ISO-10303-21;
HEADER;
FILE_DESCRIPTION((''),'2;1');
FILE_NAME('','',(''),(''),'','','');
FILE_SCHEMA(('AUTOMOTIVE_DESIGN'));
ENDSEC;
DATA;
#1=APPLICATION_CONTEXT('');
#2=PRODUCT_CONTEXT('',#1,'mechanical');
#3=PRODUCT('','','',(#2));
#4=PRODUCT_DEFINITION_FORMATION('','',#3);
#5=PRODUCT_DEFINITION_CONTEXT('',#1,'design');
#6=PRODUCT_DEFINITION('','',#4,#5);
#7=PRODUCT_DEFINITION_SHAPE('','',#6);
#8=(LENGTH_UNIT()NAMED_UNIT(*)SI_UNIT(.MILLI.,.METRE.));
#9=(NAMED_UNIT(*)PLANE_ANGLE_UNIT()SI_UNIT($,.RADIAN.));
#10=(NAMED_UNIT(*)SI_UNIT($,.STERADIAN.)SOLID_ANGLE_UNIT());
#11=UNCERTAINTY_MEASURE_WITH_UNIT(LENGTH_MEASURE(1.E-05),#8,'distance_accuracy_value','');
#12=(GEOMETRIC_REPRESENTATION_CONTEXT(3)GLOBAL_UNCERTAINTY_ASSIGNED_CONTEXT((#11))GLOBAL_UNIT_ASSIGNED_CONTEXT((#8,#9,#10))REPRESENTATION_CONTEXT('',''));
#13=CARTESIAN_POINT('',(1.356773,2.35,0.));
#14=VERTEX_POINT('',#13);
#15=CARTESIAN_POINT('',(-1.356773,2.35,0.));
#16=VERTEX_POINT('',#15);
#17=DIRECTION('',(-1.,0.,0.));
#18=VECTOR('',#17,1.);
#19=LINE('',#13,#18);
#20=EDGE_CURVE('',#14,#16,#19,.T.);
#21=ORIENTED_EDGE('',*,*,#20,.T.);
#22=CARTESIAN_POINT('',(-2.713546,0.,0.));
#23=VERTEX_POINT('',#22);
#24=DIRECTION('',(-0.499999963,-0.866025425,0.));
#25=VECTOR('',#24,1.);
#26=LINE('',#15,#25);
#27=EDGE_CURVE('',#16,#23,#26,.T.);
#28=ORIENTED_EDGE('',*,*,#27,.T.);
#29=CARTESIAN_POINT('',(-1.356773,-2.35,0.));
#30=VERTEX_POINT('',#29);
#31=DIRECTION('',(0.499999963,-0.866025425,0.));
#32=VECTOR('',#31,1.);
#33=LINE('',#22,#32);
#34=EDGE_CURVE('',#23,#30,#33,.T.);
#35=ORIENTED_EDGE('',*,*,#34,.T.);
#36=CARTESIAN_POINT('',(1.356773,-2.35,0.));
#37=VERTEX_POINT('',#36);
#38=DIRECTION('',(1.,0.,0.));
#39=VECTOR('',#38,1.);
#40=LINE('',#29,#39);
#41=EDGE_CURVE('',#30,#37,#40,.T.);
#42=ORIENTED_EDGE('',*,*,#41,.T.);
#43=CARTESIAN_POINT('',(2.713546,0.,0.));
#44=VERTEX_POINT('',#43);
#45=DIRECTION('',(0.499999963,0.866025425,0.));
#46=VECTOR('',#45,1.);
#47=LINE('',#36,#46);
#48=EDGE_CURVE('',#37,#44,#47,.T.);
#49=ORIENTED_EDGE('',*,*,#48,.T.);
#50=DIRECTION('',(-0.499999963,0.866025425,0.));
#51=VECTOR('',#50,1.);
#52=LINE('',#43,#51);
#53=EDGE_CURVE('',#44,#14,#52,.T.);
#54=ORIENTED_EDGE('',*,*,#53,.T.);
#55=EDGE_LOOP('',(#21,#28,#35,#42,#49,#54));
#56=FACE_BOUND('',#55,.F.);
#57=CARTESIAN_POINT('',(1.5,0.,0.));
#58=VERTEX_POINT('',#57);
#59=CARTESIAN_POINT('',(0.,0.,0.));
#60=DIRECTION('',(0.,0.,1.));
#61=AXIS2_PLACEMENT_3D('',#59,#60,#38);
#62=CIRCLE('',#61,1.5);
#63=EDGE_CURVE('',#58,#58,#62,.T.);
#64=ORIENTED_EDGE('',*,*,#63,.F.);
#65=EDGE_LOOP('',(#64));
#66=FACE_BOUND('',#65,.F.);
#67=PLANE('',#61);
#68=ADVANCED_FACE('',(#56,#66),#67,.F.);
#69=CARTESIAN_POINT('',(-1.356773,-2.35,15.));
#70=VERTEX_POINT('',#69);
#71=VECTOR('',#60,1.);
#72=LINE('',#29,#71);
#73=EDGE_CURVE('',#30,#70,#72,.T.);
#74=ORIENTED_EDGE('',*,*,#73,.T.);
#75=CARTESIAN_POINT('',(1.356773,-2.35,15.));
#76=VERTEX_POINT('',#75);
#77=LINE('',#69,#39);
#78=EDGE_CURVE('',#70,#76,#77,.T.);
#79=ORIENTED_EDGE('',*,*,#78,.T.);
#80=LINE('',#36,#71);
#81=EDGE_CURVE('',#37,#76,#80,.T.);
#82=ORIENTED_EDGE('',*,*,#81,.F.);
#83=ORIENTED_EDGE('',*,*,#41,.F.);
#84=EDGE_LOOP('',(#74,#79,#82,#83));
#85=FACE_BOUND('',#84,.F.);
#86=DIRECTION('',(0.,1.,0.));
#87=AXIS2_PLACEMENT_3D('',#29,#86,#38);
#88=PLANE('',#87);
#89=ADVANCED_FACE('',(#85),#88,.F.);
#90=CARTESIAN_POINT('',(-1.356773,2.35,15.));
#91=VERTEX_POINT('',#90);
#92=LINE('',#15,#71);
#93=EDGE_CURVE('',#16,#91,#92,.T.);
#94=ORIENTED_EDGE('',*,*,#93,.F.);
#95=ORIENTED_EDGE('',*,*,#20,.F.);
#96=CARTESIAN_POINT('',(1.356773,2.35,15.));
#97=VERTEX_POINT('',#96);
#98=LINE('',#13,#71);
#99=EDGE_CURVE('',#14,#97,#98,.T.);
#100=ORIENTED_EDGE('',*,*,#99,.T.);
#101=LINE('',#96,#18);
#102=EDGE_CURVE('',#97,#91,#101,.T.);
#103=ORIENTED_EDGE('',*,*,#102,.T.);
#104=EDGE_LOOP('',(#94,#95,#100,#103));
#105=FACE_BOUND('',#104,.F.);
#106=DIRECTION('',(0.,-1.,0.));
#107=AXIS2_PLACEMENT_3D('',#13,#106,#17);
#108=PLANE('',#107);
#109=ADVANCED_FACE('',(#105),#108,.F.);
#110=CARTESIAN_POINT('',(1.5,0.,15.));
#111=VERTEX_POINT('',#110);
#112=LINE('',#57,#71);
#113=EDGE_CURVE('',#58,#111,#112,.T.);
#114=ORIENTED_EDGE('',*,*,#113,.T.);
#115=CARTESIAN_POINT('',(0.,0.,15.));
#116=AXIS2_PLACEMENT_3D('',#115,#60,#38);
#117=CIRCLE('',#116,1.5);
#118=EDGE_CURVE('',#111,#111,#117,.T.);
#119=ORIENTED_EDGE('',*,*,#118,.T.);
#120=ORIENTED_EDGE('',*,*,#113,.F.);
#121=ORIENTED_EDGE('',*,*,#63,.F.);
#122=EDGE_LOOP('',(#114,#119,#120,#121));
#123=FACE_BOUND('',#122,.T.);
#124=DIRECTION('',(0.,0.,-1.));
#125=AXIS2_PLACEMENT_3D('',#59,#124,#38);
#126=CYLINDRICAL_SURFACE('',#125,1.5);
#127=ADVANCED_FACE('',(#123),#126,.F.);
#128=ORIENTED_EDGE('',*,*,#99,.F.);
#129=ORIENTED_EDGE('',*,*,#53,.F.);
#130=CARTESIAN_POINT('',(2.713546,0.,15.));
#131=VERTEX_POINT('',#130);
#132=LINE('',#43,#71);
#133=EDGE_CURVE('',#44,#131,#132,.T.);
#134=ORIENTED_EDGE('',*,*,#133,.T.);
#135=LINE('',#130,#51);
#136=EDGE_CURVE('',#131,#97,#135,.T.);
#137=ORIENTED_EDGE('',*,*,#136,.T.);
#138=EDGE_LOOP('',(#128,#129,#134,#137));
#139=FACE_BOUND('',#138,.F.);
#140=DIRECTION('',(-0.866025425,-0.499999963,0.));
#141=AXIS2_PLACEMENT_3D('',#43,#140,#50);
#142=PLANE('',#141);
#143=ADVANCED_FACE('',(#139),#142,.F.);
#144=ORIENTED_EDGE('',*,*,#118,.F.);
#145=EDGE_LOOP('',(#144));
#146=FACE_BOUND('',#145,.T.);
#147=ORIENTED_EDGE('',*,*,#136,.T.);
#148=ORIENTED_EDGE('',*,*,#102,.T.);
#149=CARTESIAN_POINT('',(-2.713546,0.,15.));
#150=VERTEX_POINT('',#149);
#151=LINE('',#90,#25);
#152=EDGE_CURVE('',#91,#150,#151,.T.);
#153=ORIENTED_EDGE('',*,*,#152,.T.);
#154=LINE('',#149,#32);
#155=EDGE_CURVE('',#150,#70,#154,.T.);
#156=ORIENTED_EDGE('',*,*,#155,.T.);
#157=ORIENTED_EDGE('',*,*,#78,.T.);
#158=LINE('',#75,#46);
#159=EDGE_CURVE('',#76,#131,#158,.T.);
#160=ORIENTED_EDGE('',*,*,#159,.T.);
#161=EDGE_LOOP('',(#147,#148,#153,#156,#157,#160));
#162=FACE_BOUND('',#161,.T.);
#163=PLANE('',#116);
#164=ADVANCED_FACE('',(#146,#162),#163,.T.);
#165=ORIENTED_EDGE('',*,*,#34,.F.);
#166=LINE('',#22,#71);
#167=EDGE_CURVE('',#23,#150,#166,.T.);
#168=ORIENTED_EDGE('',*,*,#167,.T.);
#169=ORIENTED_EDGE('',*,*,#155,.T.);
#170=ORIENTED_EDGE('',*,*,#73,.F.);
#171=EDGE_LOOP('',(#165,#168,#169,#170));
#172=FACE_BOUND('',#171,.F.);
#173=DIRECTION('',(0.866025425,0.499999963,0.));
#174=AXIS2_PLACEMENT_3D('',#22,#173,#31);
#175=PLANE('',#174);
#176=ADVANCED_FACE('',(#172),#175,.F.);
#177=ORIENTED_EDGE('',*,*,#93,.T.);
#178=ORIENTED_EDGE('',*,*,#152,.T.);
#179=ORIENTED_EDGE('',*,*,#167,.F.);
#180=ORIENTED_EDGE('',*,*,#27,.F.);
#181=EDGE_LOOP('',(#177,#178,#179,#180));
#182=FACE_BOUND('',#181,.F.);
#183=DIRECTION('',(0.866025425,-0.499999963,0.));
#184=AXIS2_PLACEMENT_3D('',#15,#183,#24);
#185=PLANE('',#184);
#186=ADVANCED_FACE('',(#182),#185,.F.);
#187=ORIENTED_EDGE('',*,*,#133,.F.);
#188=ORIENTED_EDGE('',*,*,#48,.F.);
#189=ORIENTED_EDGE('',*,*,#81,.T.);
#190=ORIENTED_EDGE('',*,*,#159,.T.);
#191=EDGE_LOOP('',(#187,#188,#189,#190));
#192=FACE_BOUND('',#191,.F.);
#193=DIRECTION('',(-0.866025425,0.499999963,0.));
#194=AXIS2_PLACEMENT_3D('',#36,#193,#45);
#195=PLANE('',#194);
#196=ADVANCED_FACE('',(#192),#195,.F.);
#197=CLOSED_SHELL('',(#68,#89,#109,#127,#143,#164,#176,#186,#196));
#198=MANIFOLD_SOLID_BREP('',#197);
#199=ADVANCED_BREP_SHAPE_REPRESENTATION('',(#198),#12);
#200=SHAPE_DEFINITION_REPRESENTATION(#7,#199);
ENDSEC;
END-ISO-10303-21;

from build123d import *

# Parameters (mm, degrees)
SKETCH_R  = 1.5
PAD_DEPTH = 15


with BuildPart() as part:
    # Sketch → Pad (new body)
    with BuildSketch(Plane.XY):
        Polygon((1.356773, -2.35), (2.713546, 0), (1.356773, 2.35), (-1.356773, 2.35), (-2.713546, 0), (-1.356773, -2.35), align=None)
        Circle(SKETCH_R, mode=Mode.SUBTRACT)
    extrude(amount=PAD_DEPTH)


solid = part.part
